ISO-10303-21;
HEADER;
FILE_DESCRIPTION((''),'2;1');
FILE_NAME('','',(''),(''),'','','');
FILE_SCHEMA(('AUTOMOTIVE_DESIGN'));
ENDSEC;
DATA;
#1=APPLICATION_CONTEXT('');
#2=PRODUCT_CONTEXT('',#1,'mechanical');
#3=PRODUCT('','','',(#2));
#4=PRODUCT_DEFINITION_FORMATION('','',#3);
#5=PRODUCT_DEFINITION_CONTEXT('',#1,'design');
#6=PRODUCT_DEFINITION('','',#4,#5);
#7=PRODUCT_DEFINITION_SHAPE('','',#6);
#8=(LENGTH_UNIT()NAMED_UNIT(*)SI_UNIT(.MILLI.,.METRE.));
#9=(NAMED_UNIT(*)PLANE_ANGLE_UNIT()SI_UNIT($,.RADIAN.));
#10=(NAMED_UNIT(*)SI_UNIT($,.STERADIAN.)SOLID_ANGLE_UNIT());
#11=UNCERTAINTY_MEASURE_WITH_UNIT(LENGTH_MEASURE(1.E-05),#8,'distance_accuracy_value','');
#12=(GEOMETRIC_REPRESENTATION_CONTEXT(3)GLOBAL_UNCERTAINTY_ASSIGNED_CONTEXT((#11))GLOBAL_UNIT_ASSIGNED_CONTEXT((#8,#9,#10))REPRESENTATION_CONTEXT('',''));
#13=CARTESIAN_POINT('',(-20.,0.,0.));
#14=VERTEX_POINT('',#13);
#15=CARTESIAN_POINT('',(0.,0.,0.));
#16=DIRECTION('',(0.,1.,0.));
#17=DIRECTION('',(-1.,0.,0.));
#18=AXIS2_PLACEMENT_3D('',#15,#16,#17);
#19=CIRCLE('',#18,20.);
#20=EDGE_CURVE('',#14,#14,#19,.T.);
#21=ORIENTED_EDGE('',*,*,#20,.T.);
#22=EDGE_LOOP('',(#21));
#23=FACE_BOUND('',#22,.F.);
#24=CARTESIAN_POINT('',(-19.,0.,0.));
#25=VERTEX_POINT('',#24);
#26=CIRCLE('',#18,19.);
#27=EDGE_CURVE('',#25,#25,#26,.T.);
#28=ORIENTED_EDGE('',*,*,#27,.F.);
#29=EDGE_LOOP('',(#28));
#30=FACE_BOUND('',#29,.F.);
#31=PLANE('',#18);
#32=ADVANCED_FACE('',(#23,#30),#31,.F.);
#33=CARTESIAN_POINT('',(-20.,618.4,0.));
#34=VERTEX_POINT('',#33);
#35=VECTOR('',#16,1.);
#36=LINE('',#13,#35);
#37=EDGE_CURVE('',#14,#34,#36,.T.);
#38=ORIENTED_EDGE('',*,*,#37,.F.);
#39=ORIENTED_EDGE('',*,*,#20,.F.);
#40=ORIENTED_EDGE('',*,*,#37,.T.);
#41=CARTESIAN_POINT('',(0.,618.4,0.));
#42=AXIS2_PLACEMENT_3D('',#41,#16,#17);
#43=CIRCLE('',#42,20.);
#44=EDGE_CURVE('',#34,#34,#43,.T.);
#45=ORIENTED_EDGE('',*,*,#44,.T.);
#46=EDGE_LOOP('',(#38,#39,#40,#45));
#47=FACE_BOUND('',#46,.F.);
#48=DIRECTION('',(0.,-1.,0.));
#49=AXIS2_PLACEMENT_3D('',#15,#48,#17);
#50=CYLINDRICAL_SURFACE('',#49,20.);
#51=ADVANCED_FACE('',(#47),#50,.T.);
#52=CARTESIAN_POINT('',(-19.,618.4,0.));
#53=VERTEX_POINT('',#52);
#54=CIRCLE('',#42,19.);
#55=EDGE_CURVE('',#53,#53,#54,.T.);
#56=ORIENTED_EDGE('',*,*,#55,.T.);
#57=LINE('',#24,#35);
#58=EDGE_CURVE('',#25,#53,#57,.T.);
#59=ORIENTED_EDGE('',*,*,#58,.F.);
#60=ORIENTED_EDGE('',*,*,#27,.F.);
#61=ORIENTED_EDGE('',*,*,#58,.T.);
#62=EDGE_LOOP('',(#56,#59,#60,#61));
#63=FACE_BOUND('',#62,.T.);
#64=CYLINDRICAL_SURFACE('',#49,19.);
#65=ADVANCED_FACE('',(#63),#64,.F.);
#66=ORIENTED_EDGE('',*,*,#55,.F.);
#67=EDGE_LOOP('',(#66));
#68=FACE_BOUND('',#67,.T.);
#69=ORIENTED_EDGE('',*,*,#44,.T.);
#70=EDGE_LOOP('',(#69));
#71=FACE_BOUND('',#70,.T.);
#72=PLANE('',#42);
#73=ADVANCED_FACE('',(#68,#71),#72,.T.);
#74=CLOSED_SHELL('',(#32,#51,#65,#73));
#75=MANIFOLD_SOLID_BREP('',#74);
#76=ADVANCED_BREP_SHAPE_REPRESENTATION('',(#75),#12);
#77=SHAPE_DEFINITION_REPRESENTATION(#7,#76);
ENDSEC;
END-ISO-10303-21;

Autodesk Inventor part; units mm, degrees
ref_plane "YZ Plane" through (0, 0, 0) normal (1, 0, 0) x (0, 1, 0)
ref_plane "XZ Plane" through (0, 0, 0) normal (0, 1, 0) x (-1, 0, 0)
ref_plane "XY Plane" through (0, 0, 0) normal (0, 0, 1) x (1, 0, 0)
sketch "Esboço1" plane through (0, 0, 0) normal (0, 1, 0) x (-1, 0, 0)
  circle A0 centre (0, 0) radius 19
  circle A1 centre (0, 0) radius 20
  dimension "d0" = 38
  dimension "d1" = 40
extrude "Extrusão1" add sketch "Esboço1" along normal blind 618.4
properties part number "TUBO"
